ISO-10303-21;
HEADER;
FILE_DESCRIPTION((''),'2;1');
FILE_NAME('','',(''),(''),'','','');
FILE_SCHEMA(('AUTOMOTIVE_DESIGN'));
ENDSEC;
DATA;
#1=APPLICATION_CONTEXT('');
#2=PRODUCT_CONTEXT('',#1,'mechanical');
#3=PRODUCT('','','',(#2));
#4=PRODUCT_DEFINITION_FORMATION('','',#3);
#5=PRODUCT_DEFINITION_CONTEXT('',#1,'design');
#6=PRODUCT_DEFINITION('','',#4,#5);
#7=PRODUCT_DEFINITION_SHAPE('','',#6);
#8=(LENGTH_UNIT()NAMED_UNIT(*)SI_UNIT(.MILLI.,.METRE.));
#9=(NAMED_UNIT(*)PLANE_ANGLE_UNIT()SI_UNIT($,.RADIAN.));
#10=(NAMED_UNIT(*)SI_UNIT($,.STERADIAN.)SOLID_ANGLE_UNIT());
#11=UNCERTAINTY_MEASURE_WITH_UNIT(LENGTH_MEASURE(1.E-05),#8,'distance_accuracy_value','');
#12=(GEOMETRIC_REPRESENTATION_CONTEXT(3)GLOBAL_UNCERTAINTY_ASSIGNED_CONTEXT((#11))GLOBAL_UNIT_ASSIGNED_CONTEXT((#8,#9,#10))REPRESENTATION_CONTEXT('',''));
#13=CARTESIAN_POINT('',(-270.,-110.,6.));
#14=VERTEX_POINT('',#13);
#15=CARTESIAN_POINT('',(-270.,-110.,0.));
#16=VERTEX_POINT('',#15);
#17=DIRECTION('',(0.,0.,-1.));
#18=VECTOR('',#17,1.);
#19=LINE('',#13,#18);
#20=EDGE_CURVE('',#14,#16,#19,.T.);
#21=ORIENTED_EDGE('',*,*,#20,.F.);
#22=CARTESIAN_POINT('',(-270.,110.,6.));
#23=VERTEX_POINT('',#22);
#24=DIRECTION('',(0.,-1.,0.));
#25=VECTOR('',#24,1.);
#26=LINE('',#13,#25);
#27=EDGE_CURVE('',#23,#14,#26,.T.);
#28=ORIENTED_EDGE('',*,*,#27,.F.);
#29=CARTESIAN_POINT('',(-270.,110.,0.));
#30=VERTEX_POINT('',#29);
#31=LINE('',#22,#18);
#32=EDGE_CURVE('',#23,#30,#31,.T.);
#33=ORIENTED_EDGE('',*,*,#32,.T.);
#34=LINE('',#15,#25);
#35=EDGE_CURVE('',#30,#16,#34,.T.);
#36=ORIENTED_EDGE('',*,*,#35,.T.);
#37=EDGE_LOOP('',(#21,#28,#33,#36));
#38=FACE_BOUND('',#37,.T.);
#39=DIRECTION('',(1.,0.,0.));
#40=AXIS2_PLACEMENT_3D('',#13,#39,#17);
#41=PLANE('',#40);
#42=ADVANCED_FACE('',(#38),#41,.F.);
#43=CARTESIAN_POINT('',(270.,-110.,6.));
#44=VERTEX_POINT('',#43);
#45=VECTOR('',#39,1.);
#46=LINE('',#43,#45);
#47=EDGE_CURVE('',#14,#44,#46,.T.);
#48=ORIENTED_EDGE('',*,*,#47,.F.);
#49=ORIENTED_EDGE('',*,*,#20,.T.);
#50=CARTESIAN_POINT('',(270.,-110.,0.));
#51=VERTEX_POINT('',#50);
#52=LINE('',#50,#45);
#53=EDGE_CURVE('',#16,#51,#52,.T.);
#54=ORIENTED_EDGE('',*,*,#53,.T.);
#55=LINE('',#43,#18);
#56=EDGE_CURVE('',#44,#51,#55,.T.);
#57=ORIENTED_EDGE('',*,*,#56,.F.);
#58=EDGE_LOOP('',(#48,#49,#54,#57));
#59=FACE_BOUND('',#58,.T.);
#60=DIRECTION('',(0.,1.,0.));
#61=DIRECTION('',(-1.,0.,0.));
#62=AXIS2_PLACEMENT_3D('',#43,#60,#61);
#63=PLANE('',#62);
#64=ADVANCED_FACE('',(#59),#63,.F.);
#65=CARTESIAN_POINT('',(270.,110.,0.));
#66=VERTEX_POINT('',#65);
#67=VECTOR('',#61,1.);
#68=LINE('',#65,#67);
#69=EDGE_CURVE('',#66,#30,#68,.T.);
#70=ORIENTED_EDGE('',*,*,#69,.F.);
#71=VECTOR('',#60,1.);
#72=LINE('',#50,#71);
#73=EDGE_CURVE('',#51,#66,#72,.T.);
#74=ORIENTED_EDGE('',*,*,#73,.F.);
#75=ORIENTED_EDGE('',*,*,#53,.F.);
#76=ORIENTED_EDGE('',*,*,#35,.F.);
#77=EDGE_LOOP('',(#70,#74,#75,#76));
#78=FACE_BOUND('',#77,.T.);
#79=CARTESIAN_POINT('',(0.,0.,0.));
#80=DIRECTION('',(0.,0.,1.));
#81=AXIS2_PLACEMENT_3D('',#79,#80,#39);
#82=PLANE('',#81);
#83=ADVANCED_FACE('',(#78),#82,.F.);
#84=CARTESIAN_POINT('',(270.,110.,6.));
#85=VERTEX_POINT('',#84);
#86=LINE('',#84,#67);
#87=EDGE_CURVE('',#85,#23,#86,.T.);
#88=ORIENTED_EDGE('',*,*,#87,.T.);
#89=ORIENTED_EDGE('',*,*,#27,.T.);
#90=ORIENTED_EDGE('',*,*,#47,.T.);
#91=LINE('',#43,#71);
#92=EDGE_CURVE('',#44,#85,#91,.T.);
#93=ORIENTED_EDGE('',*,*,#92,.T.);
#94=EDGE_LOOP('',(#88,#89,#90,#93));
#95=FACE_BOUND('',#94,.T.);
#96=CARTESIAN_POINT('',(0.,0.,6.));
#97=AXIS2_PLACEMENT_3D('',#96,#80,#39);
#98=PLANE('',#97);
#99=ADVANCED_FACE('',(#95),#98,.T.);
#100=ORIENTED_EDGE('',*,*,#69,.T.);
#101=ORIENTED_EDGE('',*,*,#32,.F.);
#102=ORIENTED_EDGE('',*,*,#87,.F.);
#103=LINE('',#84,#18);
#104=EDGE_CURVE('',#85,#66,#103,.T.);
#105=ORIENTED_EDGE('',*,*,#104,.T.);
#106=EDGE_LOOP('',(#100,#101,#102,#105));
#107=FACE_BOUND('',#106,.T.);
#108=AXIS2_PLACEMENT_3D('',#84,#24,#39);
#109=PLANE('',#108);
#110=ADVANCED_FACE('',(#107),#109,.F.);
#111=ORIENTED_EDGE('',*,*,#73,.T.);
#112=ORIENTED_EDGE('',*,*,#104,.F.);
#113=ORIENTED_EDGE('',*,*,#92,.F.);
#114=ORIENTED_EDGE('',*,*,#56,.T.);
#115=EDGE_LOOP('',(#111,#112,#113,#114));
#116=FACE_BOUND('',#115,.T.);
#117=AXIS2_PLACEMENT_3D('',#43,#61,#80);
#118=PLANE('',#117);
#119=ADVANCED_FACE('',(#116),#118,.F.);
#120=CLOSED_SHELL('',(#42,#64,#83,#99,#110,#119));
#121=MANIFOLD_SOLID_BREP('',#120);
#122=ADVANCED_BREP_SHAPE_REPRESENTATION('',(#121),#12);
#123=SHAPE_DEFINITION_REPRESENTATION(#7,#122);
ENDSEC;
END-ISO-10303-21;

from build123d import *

# Parameters (mm, degrees)
SKETCH_1_W      = 540
SKETCH_1_H      = 220
EXTRUDE_1_DEPTH = 6


with BuildPart() as part:
    # Эскиз1 → Бобышка-Вытянуть1 (new body)
    with BuildSketch(Plane.XY):
        Rectangle(SKETCH_1_W, SKETCH_1_H)
    extrude(amount=EXTRUDE_1_DEPTH)


solid = part.part
